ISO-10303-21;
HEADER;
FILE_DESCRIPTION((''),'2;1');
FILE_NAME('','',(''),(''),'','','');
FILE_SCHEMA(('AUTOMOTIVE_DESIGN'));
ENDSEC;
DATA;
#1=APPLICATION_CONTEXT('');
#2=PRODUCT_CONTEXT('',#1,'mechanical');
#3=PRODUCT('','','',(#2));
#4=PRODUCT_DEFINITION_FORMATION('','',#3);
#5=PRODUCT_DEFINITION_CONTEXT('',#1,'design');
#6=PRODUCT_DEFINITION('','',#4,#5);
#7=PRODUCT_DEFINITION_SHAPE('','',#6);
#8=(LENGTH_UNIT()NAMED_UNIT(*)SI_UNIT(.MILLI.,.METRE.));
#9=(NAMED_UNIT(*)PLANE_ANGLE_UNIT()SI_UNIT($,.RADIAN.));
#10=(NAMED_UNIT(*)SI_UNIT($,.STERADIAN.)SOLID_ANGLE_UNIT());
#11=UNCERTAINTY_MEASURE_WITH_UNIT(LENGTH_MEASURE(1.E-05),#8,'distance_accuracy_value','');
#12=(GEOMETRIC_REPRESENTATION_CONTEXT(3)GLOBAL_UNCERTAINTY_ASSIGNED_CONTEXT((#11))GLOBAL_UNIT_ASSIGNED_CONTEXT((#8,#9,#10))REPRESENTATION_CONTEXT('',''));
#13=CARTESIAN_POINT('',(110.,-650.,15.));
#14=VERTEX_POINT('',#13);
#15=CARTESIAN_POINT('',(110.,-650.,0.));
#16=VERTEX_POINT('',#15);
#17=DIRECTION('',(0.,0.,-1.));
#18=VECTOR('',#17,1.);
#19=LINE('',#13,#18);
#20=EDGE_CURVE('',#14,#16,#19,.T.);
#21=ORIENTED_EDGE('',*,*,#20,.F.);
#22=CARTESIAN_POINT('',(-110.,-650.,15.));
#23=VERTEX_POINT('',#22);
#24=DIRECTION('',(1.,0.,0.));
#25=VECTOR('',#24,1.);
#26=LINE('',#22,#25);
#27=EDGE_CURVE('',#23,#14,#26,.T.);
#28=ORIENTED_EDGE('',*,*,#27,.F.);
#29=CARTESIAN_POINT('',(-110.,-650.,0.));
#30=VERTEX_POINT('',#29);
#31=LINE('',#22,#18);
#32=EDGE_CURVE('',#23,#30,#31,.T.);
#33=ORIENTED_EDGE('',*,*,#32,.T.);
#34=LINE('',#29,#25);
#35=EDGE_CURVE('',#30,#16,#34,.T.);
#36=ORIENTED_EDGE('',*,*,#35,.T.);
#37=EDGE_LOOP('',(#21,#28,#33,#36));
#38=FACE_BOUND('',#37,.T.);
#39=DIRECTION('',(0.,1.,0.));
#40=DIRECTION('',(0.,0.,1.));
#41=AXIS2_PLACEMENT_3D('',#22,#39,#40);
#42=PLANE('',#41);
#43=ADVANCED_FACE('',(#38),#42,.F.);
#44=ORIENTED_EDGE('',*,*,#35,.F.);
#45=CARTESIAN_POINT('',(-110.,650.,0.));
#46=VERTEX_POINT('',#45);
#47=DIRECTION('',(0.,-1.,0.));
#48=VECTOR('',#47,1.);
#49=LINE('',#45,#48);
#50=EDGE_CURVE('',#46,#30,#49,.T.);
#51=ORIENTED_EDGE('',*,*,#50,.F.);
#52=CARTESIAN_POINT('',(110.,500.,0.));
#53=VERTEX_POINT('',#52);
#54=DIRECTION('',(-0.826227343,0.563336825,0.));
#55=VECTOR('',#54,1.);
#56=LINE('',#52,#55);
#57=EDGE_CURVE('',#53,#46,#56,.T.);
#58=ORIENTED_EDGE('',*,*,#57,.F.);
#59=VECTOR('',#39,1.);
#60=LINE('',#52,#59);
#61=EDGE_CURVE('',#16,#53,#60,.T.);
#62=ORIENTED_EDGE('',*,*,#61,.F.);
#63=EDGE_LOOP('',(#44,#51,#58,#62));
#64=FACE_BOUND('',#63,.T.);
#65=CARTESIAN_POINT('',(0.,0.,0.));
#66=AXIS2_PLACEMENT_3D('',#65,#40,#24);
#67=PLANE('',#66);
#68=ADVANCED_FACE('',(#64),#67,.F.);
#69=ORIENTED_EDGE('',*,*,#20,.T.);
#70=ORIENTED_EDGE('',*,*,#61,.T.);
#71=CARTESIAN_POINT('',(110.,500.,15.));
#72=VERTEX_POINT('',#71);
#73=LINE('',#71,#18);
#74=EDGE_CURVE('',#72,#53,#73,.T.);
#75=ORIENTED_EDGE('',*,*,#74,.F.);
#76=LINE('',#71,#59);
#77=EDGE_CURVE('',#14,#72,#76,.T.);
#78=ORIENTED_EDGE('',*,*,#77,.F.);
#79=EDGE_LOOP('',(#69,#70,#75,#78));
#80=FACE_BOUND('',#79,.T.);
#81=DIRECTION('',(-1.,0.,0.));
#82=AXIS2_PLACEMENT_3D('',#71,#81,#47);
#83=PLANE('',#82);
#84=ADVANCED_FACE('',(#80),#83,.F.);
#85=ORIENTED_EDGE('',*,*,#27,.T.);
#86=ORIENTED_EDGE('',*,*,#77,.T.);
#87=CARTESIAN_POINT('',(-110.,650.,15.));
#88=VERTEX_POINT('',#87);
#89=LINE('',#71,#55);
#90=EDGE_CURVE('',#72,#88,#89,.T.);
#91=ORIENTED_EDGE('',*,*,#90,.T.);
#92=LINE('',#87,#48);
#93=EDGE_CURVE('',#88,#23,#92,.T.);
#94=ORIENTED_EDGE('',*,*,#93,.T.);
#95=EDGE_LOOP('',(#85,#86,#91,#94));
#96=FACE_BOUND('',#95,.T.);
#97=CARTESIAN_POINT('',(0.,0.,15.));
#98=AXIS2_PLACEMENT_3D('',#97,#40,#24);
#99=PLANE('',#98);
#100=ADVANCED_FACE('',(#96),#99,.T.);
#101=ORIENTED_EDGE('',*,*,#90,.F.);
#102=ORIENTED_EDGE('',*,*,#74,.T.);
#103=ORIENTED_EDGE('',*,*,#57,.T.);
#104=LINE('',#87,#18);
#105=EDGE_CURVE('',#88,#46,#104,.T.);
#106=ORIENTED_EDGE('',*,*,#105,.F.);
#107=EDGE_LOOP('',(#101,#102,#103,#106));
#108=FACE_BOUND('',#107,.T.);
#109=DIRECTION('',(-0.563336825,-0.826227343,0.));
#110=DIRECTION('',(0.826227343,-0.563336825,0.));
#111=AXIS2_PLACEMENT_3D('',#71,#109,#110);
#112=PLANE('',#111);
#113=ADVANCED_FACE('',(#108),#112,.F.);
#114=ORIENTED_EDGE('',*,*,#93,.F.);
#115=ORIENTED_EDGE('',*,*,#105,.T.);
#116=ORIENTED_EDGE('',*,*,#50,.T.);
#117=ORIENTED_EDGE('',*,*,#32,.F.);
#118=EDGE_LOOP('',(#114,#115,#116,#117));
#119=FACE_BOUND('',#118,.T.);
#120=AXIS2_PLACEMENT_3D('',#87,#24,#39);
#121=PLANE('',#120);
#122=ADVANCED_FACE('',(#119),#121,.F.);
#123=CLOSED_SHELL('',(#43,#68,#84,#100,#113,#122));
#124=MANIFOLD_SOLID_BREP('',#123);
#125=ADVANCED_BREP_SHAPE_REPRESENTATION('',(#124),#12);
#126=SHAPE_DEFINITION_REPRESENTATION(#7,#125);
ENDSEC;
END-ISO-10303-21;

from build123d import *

# Parameters (mm, degrees)
RESSALTO_EXTRUS_O1_DEPTH = 15


with BuildPart() as part:
    # Esboço1 → Ressalto-extrusão1 (new body)
    with BuildSketch(Plane.XY):
        Polygon((-110, 650), (-110, -650), (110, -650), (110, 500), align=None)
    extrude(amount=RESSALTO_EXTRUS_O1_DEPTH)


solid = part.part
